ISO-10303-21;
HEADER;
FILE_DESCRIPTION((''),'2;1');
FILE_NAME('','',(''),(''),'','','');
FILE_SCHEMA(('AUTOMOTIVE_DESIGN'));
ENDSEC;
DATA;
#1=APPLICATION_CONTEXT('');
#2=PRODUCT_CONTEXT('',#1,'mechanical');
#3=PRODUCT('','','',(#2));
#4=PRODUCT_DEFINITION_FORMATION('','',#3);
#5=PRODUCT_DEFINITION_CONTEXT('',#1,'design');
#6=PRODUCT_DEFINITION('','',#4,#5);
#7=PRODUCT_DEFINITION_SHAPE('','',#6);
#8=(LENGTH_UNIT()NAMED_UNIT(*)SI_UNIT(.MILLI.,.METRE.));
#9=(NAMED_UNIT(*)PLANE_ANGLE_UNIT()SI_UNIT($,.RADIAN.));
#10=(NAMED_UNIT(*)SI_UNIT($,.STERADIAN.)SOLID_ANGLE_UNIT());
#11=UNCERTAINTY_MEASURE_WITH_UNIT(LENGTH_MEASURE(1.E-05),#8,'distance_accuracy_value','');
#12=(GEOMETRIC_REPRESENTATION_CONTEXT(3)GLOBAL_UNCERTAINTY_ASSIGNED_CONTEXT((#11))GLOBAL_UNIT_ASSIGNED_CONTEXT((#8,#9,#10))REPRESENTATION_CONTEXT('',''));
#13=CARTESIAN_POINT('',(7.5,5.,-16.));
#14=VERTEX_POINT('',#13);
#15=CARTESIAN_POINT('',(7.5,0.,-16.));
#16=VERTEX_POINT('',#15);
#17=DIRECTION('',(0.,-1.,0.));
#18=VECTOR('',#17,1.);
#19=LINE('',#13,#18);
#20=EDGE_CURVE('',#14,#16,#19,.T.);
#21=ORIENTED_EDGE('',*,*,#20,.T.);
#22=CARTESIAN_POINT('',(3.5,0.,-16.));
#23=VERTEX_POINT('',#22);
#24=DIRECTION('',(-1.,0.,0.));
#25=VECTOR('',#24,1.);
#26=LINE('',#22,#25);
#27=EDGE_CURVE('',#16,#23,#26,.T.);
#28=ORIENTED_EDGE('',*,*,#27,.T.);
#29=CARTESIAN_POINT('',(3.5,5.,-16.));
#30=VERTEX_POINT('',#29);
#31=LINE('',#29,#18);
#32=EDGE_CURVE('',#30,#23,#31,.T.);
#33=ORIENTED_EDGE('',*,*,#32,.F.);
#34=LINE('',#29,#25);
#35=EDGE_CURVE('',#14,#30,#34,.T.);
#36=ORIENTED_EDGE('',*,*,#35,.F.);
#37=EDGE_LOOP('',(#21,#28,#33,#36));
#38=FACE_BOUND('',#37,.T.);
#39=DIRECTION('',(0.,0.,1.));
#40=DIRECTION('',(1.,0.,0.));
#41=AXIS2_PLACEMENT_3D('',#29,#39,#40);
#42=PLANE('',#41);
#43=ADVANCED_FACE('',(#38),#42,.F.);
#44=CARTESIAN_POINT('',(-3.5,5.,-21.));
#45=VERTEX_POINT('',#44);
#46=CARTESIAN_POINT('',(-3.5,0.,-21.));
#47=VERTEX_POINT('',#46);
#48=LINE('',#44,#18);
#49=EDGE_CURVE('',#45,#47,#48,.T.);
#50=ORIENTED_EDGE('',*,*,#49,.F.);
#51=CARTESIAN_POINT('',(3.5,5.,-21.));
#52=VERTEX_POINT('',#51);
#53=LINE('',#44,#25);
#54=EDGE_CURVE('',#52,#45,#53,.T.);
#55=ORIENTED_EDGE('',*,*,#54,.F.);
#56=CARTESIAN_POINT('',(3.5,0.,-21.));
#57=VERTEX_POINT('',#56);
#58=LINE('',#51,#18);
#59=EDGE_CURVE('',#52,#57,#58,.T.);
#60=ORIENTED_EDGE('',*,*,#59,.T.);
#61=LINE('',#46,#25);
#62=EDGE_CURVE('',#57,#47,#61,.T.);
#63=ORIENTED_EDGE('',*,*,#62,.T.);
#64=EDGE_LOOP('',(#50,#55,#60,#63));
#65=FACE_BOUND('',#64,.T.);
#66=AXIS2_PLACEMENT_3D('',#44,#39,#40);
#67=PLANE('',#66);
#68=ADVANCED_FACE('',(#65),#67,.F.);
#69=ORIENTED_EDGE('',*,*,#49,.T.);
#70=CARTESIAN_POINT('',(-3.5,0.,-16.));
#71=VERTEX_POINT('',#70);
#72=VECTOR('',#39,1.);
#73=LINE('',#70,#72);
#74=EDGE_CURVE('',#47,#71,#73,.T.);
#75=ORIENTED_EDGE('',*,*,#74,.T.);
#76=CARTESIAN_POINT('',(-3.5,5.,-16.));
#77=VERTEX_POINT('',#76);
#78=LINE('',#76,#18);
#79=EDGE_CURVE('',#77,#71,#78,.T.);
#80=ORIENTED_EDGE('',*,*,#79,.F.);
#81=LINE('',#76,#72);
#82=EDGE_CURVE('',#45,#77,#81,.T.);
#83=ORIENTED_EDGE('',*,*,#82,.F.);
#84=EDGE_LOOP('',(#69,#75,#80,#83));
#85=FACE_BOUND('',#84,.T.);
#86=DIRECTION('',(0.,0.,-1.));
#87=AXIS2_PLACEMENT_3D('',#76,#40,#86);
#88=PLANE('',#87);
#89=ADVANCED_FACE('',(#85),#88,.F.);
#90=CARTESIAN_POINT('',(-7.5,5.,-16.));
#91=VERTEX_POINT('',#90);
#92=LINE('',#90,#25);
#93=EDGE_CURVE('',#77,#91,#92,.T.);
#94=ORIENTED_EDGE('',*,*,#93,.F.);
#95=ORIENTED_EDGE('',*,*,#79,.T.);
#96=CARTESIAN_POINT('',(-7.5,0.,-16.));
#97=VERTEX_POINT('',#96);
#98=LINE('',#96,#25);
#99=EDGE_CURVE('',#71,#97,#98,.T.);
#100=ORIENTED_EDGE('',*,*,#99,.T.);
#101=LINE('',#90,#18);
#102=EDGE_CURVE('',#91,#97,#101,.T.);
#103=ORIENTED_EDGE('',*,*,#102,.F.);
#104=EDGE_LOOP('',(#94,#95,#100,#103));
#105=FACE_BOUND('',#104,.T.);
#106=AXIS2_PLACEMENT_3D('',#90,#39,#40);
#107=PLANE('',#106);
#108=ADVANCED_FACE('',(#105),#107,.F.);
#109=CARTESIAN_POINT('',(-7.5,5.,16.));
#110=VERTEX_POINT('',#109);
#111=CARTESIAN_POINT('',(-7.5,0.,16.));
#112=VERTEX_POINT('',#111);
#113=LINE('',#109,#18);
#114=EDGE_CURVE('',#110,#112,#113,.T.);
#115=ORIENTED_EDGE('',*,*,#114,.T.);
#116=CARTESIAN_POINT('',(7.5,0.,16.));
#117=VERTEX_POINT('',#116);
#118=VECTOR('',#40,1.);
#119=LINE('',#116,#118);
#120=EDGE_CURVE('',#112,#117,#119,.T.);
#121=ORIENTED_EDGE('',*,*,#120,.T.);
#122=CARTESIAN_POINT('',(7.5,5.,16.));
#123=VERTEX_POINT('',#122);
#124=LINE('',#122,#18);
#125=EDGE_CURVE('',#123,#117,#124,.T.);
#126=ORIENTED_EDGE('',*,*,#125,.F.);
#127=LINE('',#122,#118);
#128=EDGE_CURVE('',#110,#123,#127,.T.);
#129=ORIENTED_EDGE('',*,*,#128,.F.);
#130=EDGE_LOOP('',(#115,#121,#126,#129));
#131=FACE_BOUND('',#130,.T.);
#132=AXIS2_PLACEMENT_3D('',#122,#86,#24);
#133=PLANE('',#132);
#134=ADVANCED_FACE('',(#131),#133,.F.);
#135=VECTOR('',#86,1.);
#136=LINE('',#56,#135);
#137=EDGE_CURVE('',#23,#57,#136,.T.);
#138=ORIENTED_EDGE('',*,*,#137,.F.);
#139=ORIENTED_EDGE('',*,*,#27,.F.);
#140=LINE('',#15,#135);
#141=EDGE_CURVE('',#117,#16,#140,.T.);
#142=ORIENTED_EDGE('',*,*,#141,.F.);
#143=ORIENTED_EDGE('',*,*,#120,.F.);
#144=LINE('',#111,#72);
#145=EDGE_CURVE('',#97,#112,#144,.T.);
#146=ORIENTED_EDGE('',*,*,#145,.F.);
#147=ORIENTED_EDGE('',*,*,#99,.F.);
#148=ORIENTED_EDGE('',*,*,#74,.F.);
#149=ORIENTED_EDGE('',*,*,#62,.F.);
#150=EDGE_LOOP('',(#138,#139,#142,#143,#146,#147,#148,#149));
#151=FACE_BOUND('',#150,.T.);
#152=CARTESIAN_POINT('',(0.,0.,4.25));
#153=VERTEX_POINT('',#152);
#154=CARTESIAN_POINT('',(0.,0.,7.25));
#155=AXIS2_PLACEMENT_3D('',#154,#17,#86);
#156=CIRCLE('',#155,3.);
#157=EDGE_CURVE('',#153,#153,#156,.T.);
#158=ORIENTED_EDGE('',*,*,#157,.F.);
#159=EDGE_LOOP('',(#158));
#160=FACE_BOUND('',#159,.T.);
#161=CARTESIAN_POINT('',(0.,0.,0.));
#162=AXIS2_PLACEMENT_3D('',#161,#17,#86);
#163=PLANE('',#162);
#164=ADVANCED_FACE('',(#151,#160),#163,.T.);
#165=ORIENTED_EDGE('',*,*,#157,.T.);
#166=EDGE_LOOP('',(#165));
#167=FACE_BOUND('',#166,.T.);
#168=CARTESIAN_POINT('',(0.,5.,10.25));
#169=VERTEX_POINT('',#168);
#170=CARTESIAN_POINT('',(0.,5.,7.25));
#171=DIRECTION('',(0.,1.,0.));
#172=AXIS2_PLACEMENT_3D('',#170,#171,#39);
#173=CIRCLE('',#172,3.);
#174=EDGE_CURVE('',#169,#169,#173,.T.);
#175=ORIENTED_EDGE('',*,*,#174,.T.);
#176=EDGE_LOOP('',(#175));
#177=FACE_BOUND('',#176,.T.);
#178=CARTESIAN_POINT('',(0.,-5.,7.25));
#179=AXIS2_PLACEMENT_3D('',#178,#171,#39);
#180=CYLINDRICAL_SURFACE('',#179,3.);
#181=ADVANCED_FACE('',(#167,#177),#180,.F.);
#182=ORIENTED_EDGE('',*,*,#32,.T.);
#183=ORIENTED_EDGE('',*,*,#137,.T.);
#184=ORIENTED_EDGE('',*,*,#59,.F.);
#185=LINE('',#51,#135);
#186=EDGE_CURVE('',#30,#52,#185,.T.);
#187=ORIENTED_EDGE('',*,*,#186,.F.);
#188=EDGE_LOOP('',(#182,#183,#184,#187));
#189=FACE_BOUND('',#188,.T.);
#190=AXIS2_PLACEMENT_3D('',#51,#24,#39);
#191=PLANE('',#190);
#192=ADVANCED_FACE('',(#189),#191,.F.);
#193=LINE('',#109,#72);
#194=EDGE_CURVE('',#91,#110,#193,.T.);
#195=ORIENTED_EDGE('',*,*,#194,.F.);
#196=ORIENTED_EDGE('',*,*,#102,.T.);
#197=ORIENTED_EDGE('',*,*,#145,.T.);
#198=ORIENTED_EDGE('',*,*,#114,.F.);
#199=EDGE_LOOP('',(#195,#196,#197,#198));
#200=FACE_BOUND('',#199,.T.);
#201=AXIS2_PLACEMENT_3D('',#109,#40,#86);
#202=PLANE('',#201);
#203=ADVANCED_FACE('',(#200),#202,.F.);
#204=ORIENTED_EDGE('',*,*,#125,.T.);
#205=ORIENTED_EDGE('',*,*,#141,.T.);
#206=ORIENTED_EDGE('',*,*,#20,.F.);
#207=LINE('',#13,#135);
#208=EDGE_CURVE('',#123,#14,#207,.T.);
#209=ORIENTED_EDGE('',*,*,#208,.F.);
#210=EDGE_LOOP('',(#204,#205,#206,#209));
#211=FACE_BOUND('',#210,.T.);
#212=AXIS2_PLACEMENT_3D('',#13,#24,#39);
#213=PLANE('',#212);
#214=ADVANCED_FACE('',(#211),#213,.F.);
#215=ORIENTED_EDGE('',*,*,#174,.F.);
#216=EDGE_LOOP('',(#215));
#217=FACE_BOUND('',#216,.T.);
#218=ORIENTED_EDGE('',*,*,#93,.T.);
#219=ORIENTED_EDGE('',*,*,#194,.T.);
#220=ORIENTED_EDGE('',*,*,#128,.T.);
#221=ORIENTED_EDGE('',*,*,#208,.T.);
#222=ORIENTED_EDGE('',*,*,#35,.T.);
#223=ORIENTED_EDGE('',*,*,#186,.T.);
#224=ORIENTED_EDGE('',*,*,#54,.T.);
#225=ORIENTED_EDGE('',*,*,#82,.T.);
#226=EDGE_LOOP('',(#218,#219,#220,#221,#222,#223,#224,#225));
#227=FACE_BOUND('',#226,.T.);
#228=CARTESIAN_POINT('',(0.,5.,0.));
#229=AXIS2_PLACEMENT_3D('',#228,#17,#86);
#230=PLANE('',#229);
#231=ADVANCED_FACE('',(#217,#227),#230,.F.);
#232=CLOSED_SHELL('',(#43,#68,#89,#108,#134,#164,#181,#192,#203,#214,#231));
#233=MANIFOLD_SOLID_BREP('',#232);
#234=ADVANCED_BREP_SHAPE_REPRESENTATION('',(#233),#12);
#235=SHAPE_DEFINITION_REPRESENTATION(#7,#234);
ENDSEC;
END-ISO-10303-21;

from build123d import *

# Parameters (mm, degrees)
BOSS_EXTRUDE1_DEPTH = 5
SKETCH2_R           = 3
CUT_EXTRUDE1_DEPTH  = 10


with BuildPart() as part:
    # Sketch1 → Boss-Extrude1 (new body)
    with BuildSketch(Plane(origin=(0, 0, 0), x_dir=(1, 0, 0), z_dir=(0, 1, 0))):
        Polygon((-7.5, -16), (-7.5, 16), (-3.5, 16), (-3.5, 21), (3.5, 21), (3.5, 16), (7.5, 16), (7.5, -16), align=None)
    extrude(amount=BOSS_EXTRUDE1_DEPTH)

    # Sketch2 → Cut-Extrude1 (cut)
    with BuildSketch(Plane(origin=(0, 5, 0), x_dir=(1, 0, 0), z_dir=(0, 1, 0))):
        with Locations(Location((0, -7.25, 0), (0, 0, 270))):
            Circle(SKETCH2_R)
    extrude(amount=-CUT_EXTRUDE1_DEPTH, mode=Mode.SUBTRACT)


solid = part.part
